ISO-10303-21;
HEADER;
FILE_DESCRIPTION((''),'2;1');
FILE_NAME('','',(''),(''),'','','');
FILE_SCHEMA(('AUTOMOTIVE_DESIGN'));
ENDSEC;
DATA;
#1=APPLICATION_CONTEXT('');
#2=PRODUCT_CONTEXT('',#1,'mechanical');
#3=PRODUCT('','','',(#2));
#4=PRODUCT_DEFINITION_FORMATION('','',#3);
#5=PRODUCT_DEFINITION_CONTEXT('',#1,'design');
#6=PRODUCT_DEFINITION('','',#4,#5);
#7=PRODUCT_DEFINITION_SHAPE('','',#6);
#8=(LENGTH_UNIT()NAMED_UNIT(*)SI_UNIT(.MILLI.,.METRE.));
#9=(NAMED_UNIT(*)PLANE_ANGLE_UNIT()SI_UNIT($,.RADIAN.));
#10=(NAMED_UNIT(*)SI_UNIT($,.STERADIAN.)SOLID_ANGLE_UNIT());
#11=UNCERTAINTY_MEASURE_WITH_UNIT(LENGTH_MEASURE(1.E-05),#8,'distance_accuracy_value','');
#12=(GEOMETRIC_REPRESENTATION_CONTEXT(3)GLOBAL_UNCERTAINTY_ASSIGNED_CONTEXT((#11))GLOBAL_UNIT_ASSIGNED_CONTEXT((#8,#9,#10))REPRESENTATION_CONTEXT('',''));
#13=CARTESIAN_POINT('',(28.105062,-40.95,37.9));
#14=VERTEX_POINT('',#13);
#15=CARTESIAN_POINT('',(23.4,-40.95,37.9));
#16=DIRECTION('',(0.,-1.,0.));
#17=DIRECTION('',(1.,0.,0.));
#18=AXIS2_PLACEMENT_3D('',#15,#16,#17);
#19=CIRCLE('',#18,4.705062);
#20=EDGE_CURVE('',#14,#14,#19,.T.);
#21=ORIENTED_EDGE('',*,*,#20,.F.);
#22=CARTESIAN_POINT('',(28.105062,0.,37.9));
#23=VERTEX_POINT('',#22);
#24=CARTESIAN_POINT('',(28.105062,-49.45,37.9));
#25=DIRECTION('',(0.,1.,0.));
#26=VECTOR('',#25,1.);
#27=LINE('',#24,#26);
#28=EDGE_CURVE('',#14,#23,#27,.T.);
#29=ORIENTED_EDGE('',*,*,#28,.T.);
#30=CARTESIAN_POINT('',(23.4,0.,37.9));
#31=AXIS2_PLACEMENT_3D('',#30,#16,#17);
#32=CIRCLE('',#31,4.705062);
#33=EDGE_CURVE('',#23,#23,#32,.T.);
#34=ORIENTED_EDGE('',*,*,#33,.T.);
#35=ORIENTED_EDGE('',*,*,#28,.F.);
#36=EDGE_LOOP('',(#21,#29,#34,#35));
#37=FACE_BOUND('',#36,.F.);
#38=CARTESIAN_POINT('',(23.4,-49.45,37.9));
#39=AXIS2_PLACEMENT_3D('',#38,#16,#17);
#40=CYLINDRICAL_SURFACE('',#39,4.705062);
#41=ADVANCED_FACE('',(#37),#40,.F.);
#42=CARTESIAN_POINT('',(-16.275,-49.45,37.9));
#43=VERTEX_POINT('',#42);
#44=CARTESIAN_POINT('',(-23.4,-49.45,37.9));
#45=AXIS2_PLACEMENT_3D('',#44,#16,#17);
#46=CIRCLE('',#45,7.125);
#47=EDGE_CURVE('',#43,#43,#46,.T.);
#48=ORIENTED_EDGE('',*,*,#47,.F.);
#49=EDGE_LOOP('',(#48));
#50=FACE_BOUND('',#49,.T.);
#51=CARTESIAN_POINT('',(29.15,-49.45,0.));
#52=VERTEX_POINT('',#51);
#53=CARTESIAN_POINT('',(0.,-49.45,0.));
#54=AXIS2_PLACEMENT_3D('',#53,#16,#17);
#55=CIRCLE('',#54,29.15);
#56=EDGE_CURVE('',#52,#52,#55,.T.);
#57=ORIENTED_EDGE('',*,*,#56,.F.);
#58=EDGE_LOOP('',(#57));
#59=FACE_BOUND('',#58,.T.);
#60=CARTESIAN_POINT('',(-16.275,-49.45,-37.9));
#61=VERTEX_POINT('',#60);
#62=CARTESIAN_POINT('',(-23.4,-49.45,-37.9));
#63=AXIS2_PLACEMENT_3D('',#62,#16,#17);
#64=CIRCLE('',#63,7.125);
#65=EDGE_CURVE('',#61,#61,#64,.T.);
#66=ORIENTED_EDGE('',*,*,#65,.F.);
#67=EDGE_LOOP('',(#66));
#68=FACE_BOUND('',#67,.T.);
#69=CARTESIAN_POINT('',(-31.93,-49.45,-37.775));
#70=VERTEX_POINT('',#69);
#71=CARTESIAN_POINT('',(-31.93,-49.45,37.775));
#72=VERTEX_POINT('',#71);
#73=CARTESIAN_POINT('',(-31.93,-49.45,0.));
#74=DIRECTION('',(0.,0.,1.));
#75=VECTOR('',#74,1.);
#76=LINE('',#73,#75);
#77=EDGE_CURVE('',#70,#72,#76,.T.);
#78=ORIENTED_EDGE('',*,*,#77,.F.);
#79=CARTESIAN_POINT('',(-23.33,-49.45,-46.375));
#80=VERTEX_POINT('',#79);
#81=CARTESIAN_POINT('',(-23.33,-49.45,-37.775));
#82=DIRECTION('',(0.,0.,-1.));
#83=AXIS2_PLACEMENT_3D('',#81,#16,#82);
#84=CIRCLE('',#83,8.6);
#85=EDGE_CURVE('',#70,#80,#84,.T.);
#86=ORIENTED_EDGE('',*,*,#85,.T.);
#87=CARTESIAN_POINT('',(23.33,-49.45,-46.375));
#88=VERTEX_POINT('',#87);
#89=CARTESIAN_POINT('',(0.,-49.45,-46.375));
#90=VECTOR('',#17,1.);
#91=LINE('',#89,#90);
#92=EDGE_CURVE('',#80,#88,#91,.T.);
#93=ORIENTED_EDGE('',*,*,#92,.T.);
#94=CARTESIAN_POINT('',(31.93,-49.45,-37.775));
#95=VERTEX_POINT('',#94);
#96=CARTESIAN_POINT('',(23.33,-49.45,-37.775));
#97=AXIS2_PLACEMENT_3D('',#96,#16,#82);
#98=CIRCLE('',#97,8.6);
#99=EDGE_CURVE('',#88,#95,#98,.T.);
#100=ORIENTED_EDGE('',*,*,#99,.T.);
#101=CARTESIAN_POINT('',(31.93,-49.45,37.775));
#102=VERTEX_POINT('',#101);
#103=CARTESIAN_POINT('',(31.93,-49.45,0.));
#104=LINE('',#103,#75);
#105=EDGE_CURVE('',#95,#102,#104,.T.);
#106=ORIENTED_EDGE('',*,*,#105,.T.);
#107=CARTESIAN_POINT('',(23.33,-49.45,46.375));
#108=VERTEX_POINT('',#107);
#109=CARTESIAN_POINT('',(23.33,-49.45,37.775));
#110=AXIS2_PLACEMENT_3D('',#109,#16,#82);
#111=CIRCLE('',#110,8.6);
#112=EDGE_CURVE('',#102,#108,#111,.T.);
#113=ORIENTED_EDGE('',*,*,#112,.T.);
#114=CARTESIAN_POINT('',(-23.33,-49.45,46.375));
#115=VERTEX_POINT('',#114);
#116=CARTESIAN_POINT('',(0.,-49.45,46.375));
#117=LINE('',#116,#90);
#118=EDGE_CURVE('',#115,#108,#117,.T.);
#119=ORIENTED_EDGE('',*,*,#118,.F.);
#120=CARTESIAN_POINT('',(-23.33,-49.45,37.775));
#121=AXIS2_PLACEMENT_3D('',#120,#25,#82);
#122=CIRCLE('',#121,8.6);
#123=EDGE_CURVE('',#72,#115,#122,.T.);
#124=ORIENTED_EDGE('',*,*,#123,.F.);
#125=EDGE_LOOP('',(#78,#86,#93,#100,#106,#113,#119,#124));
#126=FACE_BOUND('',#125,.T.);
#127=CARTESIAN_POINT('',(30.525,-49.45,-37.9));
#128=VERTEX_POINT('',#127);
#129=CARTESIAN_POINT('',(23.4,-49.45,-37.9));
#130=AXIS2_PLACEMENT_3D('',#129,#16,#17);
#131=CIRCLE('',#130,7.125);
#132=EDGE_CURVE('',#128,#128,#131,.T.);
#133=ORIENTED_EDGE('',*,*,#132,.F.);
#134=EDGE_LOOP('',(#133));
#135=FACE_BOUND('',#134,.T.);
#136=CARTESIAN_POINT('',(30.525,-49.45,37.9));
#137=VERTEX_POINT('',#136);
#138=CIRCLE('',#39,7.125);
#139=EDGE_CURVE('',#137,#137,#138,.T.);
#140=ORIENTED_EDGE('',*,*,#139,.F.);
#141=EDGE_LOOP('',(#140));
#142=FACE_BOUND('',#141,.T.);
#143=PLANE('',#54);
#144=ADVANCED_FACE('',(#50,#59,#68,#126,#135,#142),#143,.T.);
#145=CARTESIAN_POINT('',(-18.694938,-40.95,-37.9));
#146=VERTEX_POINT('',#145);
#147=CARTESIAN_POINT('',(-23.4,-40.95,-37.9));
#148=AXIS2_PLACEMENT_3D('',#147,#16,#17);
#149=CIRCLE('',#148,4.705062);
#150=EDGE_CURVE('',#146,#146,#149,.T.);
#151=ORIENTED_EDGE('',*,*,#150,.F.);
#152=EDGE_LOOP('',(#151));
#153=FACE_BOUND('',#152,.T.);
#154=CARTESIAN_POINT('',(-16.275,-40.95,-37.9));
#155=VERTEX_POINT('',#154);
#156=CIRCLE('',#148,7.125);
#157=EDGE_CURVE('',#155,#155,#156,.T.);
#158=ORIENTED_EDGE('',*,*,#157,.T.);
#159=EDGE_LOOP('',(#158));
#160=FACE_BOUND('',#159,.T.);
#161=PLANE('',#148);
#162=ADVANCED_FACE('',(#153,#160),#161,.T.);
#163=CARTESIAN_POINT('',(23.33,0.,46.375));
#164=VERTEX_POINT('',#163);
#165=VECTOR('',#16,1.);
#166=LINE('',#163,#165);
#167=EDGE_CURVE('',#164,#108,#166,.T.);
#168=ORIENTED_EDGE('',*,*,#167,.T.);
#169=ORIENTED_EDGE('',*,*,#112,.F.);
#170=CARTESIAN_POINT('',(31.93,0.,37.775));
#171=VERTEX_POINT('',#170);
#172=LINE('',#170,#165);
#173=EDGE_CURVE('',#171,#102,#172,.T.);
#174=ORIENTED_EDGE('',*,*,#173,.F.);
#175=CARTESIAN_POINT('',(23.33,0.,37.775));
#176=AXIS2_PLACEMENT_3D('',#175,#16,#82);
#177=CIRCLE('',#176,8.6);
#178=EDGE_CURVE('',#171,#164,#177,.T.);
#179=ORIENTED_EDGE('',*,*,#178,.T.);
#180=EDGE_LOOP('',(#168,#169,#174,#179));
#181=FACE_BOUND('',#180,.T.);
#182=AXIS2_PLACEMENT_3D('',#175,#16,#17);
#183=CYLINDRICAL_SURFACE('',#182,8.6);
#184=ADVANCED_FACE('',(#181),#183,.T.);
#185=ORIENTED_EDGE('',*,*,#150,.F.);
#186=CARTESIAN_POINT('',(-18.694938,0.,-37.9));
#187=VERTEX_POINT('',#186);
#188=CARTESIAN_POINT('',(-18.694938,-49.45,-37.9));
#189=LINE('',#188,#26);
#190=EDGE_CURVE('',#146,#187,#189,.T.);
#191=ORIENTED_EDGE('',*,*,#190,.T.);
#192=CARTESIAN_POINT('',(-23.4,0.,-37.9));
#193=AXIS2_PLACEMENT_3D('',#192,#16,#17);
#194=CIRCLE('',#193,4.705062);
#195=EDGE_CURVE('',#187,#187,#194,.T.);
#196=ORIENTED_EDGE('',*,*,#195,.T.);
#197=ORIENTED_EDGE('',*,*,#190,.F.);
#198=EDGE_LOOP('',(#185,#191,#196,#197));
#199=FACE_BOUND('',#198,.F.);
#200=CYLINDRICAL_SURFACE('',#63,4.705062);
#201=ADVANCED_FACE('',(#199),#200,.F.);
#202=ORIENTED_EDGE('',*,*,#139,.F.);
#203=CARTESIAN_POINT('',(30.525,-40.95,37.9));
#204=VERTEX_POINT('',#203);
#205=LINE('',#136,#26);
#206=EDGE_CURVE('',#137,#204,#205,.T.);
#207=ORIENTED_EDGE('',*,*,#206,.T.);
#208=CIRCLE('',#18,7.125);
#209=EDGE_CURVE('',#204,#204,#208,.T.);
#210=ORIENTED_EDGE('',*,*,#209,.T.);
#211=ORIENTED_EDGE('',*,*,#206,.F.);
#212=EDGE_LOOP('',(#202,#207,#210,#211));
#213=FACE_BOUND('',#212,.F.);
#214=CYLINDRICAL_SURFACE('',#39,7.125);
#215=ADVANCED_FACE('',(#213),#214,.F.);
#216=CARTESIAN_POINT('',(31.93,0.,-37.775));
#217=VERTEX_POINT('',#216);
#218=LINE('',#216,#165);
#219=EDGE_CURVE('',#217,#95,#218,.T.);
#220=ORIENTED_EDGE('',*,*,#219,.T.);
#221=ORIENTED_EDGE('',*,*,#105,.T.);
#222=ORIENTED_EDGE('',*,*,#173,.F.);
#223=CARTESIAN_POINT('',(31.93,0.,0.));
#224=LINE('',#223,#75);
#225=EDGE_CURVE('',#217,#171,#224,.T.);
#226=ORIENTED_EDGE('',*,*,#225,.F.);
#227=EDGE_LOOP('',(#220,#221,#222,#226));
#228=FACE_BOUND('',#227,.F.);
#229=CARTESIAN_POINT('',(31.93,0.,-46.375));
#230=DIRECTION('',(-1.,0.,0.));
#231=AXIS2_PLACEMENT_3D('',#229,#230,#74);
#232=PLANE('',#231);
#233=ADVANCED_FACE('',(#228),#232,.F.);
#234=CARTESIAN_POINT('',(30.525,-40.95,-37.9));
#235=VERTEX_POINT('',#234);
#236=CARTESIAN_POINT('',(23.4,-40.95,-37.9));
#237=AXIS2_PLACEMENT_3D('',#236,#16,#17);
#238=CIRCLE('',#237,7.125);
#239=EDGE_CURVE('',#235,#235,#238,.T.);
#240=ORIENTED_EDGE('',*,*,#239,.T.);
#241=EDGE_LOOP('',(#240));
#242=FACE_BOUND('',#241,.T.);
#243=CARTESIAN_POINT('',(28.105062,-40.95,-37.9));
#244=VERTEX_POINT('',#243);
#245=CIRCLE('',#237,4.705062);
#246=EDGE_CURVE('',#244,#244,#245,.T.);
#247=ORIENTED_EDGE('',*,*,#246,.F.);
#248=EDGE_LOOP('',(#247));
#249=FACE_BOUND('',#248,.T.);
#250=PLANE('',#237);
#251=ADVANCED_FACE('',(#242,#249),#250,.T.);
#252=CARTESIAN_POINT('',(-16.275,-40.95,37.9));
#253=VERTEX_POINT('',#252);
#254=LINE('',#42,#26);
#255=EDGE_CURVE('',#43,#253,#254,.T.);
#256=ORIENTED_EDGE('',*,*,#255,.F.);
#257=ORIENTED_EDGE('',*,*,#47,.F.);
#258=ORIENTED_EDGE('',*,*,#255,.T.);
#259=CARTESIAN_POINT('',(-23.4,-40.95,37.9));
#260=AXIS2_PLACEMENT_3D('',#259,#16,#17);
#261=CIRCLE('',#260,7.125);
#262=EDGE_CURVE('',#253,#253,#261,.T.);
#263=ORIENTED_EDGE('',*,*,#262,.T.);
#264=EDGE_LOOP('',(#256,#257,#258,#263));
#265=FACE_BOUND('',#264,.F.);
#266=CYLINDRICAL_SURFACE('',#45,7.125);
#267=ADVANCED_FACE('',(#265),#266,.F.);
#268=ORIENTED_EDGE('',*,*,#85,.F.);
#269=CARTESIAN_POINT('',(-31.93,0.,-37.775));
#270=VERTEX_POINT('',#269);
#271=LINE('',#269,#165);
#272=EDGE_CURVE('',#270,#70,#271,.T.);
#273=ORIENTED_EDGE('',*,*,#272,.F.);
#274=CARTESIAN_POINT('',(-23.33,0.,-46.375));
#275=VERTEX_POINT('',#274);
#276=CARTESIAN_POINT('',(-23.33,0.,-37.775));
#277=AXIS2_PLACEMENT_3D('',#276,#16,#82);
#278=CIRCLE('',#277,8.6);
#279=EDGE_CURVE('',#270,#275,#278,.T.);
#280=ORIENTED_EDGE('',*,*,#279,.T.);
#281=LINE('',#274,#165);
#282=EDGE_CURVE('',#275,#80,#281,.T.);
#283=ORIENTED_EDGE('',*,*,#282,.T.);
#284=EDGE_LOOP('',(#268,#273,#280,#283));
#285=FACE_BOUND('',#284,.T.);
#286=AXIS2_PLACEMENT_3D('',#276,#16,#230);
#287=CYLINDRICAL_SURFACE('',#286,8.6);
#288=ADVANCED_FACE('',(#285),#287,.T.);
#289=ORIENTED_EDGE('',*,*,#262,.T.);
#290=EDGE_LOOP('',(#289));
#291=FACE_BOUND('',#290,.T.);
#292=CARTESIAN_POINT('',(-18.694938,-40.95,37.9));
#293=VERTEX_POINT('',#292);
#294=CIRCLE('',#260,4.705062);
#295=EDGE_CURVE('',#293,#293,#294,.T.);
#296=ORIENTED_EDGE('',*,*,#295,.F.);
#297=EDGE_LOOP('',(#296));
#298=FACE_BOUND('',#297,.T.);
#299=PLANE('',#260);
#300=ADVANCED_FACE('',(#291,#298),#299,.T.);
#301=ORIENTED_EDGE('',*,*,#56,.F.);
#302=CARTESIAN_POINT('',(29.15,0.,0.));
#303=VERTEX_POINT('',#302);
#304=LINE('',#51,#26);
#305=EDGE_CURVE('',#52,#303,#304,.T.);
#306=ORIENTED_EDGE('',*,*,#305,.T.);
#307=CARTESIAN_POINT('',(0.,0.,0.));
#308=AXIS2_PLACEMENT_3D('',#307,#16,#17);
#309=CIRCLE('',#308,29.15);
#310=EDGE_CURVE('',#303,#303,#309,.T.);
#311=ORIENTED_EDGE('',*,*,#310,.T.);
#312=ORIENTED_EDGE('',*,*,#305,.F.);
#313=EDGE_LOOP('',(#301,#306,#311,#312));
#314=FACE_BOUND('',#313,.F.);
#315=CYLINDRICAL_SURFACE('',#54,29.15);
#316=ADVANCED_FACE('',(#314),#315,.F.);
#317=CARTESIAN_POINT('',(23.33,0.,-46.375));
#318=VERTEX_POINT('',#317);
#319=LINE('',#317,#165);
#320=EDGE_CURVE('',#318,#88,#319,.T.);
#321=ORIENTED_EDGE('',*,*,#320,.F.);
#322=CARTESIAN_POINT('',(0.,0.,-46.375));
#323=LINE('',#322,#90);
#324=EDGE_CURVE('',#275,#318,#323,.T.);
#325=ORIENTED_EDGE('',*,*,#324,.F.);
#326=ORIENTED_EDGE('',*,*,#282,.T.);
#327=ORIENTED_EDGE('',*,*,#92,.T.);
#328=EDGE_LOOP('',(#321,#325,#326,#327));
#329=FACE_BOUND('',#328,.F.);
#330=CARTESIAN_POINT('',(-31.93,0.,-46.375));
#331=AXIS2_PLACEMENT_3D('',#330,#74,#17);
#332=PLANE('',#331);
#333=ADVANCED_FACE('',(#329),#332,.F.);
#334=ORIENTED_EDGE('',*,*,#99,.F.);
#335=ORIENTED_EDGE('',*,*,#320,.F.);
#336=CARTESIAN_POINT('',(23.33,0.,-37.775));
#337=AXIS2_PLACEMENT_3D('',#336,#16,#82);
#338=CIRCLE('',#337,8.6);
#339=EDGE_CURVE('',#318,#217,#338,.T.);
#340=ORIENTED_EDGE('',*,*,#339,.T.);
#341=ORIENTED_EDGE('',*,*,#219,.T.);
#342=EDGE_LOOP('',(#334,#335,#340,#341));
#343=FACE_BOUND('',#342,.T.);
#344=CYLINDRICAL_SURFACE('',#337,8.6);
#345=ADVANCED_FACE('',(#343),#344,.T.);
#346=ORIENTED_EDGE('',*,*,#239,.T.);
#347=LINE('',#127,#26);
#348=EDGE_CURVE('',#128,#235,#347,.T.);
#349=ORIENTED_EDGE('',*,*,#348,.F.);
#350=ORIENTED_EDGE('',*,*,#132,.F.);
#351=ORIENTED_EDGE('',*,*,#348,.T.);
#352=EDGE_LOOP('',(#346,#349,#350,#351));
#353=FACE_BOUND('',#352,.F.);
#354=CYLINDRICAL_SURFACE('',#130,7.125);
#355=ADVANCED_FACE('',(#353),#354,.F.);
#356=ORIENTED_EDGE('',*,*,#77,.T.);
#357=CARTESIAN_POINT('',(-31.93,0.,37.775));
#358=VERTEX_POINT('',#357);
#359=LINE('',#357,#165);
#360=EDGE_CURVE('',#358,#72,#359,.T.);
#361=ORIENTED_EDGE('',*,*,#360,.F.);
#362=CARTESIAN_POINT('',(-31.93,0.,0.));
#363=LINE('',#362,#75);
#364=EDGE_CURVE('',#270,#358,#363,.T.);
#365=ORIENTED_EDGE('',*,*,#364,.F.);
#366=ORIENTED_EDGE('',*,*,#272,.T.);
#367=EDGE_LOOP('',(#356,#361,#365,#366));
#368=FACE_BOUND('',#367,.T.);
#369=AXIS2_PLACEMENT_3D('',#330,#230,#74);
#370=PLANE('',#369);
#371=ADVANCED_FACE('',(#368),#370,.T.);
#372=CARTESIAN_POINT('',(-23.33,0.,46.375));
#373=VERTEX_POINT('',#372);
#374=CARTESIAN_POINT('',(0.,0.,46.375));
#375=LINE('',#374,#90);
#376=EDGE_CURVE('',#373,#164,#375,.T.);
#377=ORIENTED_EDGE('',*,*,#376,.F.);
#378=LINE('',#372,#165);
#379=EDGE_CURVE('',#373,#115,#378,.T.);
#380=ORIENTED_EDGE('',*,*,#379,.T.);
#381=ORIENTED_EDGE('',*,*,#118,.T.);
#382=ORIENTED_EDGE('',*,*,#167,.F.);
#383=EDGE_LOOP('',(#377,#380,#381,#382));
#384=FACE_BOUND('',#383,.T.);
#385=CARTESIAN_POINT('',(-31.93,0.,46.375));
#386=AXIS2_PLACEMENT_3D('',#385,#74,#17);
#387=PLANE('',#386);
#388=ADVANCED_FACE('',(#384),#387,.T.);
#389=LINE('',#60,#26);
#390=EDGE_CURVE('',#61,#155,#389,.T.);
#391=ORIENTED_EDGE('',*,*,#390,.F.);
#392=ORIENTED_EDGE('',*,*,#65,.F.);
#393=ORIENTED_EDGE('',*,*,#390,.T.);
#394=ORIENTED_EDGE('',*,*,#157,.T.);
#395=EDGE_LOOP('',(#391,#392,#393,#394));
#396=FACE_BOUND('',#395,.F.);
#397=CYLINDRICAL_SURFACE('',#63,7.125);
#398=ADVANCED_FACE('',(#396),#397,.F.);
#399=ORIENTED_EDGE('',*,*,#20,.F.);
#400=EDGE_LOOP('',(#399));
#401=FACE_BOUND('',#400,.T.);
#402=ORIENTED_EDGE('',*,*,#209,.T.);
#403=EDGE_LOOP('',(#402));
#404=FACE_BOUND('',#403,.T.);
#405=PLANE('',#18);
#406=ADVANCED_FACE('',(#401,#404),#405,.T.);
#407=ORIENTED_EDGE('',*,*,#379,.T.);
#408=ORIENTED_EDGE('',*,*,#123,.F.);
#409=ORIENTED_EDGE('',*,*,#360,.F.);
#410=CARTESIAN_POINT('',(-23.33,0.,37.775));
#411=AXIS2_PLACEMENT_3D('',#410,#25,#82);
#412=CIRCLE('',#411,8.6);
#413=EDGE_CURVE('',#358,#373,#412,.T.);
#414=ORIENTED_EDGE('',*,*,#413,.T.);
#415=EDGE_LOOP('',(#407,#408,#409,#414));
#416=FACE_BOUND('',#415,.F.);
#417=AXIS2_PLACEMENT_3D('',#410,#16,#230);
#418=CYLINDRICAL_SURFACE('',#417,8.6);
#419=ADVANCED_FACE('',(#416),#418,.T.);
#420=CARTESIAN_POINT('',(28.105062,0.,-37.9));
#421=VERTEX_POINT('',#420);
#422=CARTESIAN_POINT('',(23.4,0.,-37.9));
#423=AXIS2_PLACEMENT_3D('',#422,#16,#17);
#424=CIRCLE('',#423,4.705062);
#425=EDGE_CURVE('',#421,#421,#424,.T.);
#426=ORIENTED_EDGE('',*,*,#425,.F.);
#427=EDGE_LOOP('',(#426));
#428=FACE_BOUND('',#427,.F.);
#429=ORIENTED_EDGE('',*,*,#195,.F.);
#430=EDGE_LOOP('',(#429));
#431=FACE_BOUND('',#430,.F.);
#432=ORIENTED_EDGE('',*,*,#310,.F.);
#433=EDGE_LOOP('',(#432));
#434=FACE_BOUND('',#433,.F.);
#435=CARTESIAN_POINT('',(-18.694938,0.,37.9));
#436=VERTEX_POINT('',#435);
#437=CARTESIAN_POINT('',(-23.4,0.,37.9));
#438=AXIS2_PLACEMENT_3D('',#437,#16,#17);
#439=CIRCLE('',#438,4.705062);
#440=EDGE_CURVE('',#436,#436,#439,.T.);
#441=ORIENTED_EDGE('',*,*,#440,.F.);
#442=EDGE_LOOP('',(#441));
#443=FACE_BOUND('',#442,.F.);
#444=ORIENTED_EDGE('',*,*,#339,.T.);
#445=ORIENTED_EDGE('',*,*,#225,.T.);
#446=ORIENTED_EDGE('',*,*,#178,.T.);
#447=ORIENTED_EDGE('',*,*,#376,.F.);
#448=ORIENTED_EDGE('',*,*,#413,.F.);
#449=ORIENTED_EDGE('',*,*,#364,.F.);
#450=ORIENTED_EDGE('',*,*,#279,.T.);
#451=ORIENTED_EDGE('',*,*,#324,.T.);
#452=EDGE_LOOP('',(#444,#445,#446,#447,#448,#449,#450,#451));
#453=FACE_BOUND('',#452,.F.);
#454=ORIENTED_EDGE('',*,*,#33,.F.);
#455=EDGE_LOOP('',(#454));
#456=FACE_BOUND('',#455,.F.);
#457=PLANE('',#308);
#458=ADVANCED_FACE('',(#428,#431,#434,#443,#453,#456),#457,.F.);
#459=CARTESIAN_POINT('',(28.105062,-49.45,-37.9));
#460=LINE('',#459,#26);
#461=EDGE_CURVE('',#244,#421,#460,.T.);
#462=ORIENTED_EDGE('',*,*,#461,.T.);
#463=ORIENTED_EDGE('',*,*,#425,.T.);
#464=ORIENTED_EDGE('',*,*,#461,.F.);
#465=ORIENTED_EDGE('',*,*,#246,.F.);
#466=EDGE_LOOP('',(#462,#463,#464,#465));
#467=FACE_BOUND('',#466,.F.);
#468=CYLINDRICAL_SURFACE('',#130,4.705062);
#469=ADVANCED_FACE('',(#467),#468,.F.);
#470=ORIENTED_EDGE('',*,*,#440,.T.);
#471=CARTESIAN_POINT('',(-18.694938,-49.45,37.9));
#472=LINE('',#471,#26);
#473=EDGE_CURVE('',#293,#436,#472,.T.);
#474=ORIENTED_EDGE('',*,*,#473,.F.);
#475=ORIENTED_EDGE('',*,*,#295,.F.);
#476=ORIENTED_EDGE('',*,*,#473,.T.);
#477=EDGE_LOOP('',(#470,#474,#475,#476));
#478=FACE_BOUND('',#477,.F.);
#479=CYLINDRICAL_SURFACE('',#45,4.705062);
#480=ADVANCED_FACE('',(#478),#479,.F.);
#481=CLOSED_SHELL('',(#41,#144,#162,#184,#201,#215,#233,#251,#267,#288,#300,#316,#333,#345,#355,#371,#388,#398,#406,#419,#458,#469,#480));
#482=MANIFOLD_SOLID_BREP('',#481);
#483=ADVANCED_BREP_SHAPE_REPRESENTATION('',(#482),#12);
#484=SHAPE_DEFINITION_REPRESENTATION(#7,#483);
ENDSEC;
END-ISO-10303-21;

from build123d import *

# Parameters (mm, degrees)
F0_W     = 63.86
F0_H     = 92.75
F1_DEPTH = 49.45
F2_R     = 8.6
F3_R     = 4.705062
F4_DEPTH = 54.1
F5_R     = 7.125
F6_DEPTH = 8.5
F7_R     = 29.15
F8_DEPTH = 69.1


with BuildPart() as f1:
    # F0 (on Front) → F1 (new body)
    with BuildSketch(Plane.XZ):
        Rectangle(F0_W, F0_H)
    extrude(amount=F1_DEPTH)

    # F2
    f2_edges = [f1.edges().sort_by_distance(p)[0] for p in [
        (31.93, -24.725, 46.375),
        (-31.93, -24.725, 46.375),
        (-31.93, -24.725, -46.375),
        (31.93, -24.725, -46.375),
    ]]
    fillet(f2_edges, radius=F2_R)

    # F3 (on face) → F4 (cut)
    with BuildSketch(Plane.XZ.offset(49.45)):
        with Locations((-23.4, 37.9)):
            Circle(F3_R)
        with Locations((23.4, 37.9)):
            Circle(F3_R)
        with Locations((-23.4, -37.9)):
            Circle(F3_R)
        with Locations((23.4, -37.9)):
            Circle(F3_R)
    extrude(amount=-F4_DEPTH, mode=Mode.SUBTRACT)

    # F5 (on face) → F6 (cut)
    with BuildSketch(Plane.XZ.offset(49.45)):
        with Locations((-23.4, 37.9)):
            Circle(F5_R)
        with Locations((23.4, 37.9)):
            Circle(F5_R)
        with Locations((-23.4, -37.9)):
            Circle(F5_R)
        with Locations((23.4, -37.9)):
            Circle(F5_R)
    extrude(amount=-F6_DEPTH, mode=Mode.SUBTRACT)

    # F7 (on face) → F8 (cut)
    with BuildSketch(Plane.XZ.offset(49.45)):
        Circle(F7_R)
    extrude(amount=-F8_DEPTH, mode=Mode.SUBTRACT)


solid = f1.part
